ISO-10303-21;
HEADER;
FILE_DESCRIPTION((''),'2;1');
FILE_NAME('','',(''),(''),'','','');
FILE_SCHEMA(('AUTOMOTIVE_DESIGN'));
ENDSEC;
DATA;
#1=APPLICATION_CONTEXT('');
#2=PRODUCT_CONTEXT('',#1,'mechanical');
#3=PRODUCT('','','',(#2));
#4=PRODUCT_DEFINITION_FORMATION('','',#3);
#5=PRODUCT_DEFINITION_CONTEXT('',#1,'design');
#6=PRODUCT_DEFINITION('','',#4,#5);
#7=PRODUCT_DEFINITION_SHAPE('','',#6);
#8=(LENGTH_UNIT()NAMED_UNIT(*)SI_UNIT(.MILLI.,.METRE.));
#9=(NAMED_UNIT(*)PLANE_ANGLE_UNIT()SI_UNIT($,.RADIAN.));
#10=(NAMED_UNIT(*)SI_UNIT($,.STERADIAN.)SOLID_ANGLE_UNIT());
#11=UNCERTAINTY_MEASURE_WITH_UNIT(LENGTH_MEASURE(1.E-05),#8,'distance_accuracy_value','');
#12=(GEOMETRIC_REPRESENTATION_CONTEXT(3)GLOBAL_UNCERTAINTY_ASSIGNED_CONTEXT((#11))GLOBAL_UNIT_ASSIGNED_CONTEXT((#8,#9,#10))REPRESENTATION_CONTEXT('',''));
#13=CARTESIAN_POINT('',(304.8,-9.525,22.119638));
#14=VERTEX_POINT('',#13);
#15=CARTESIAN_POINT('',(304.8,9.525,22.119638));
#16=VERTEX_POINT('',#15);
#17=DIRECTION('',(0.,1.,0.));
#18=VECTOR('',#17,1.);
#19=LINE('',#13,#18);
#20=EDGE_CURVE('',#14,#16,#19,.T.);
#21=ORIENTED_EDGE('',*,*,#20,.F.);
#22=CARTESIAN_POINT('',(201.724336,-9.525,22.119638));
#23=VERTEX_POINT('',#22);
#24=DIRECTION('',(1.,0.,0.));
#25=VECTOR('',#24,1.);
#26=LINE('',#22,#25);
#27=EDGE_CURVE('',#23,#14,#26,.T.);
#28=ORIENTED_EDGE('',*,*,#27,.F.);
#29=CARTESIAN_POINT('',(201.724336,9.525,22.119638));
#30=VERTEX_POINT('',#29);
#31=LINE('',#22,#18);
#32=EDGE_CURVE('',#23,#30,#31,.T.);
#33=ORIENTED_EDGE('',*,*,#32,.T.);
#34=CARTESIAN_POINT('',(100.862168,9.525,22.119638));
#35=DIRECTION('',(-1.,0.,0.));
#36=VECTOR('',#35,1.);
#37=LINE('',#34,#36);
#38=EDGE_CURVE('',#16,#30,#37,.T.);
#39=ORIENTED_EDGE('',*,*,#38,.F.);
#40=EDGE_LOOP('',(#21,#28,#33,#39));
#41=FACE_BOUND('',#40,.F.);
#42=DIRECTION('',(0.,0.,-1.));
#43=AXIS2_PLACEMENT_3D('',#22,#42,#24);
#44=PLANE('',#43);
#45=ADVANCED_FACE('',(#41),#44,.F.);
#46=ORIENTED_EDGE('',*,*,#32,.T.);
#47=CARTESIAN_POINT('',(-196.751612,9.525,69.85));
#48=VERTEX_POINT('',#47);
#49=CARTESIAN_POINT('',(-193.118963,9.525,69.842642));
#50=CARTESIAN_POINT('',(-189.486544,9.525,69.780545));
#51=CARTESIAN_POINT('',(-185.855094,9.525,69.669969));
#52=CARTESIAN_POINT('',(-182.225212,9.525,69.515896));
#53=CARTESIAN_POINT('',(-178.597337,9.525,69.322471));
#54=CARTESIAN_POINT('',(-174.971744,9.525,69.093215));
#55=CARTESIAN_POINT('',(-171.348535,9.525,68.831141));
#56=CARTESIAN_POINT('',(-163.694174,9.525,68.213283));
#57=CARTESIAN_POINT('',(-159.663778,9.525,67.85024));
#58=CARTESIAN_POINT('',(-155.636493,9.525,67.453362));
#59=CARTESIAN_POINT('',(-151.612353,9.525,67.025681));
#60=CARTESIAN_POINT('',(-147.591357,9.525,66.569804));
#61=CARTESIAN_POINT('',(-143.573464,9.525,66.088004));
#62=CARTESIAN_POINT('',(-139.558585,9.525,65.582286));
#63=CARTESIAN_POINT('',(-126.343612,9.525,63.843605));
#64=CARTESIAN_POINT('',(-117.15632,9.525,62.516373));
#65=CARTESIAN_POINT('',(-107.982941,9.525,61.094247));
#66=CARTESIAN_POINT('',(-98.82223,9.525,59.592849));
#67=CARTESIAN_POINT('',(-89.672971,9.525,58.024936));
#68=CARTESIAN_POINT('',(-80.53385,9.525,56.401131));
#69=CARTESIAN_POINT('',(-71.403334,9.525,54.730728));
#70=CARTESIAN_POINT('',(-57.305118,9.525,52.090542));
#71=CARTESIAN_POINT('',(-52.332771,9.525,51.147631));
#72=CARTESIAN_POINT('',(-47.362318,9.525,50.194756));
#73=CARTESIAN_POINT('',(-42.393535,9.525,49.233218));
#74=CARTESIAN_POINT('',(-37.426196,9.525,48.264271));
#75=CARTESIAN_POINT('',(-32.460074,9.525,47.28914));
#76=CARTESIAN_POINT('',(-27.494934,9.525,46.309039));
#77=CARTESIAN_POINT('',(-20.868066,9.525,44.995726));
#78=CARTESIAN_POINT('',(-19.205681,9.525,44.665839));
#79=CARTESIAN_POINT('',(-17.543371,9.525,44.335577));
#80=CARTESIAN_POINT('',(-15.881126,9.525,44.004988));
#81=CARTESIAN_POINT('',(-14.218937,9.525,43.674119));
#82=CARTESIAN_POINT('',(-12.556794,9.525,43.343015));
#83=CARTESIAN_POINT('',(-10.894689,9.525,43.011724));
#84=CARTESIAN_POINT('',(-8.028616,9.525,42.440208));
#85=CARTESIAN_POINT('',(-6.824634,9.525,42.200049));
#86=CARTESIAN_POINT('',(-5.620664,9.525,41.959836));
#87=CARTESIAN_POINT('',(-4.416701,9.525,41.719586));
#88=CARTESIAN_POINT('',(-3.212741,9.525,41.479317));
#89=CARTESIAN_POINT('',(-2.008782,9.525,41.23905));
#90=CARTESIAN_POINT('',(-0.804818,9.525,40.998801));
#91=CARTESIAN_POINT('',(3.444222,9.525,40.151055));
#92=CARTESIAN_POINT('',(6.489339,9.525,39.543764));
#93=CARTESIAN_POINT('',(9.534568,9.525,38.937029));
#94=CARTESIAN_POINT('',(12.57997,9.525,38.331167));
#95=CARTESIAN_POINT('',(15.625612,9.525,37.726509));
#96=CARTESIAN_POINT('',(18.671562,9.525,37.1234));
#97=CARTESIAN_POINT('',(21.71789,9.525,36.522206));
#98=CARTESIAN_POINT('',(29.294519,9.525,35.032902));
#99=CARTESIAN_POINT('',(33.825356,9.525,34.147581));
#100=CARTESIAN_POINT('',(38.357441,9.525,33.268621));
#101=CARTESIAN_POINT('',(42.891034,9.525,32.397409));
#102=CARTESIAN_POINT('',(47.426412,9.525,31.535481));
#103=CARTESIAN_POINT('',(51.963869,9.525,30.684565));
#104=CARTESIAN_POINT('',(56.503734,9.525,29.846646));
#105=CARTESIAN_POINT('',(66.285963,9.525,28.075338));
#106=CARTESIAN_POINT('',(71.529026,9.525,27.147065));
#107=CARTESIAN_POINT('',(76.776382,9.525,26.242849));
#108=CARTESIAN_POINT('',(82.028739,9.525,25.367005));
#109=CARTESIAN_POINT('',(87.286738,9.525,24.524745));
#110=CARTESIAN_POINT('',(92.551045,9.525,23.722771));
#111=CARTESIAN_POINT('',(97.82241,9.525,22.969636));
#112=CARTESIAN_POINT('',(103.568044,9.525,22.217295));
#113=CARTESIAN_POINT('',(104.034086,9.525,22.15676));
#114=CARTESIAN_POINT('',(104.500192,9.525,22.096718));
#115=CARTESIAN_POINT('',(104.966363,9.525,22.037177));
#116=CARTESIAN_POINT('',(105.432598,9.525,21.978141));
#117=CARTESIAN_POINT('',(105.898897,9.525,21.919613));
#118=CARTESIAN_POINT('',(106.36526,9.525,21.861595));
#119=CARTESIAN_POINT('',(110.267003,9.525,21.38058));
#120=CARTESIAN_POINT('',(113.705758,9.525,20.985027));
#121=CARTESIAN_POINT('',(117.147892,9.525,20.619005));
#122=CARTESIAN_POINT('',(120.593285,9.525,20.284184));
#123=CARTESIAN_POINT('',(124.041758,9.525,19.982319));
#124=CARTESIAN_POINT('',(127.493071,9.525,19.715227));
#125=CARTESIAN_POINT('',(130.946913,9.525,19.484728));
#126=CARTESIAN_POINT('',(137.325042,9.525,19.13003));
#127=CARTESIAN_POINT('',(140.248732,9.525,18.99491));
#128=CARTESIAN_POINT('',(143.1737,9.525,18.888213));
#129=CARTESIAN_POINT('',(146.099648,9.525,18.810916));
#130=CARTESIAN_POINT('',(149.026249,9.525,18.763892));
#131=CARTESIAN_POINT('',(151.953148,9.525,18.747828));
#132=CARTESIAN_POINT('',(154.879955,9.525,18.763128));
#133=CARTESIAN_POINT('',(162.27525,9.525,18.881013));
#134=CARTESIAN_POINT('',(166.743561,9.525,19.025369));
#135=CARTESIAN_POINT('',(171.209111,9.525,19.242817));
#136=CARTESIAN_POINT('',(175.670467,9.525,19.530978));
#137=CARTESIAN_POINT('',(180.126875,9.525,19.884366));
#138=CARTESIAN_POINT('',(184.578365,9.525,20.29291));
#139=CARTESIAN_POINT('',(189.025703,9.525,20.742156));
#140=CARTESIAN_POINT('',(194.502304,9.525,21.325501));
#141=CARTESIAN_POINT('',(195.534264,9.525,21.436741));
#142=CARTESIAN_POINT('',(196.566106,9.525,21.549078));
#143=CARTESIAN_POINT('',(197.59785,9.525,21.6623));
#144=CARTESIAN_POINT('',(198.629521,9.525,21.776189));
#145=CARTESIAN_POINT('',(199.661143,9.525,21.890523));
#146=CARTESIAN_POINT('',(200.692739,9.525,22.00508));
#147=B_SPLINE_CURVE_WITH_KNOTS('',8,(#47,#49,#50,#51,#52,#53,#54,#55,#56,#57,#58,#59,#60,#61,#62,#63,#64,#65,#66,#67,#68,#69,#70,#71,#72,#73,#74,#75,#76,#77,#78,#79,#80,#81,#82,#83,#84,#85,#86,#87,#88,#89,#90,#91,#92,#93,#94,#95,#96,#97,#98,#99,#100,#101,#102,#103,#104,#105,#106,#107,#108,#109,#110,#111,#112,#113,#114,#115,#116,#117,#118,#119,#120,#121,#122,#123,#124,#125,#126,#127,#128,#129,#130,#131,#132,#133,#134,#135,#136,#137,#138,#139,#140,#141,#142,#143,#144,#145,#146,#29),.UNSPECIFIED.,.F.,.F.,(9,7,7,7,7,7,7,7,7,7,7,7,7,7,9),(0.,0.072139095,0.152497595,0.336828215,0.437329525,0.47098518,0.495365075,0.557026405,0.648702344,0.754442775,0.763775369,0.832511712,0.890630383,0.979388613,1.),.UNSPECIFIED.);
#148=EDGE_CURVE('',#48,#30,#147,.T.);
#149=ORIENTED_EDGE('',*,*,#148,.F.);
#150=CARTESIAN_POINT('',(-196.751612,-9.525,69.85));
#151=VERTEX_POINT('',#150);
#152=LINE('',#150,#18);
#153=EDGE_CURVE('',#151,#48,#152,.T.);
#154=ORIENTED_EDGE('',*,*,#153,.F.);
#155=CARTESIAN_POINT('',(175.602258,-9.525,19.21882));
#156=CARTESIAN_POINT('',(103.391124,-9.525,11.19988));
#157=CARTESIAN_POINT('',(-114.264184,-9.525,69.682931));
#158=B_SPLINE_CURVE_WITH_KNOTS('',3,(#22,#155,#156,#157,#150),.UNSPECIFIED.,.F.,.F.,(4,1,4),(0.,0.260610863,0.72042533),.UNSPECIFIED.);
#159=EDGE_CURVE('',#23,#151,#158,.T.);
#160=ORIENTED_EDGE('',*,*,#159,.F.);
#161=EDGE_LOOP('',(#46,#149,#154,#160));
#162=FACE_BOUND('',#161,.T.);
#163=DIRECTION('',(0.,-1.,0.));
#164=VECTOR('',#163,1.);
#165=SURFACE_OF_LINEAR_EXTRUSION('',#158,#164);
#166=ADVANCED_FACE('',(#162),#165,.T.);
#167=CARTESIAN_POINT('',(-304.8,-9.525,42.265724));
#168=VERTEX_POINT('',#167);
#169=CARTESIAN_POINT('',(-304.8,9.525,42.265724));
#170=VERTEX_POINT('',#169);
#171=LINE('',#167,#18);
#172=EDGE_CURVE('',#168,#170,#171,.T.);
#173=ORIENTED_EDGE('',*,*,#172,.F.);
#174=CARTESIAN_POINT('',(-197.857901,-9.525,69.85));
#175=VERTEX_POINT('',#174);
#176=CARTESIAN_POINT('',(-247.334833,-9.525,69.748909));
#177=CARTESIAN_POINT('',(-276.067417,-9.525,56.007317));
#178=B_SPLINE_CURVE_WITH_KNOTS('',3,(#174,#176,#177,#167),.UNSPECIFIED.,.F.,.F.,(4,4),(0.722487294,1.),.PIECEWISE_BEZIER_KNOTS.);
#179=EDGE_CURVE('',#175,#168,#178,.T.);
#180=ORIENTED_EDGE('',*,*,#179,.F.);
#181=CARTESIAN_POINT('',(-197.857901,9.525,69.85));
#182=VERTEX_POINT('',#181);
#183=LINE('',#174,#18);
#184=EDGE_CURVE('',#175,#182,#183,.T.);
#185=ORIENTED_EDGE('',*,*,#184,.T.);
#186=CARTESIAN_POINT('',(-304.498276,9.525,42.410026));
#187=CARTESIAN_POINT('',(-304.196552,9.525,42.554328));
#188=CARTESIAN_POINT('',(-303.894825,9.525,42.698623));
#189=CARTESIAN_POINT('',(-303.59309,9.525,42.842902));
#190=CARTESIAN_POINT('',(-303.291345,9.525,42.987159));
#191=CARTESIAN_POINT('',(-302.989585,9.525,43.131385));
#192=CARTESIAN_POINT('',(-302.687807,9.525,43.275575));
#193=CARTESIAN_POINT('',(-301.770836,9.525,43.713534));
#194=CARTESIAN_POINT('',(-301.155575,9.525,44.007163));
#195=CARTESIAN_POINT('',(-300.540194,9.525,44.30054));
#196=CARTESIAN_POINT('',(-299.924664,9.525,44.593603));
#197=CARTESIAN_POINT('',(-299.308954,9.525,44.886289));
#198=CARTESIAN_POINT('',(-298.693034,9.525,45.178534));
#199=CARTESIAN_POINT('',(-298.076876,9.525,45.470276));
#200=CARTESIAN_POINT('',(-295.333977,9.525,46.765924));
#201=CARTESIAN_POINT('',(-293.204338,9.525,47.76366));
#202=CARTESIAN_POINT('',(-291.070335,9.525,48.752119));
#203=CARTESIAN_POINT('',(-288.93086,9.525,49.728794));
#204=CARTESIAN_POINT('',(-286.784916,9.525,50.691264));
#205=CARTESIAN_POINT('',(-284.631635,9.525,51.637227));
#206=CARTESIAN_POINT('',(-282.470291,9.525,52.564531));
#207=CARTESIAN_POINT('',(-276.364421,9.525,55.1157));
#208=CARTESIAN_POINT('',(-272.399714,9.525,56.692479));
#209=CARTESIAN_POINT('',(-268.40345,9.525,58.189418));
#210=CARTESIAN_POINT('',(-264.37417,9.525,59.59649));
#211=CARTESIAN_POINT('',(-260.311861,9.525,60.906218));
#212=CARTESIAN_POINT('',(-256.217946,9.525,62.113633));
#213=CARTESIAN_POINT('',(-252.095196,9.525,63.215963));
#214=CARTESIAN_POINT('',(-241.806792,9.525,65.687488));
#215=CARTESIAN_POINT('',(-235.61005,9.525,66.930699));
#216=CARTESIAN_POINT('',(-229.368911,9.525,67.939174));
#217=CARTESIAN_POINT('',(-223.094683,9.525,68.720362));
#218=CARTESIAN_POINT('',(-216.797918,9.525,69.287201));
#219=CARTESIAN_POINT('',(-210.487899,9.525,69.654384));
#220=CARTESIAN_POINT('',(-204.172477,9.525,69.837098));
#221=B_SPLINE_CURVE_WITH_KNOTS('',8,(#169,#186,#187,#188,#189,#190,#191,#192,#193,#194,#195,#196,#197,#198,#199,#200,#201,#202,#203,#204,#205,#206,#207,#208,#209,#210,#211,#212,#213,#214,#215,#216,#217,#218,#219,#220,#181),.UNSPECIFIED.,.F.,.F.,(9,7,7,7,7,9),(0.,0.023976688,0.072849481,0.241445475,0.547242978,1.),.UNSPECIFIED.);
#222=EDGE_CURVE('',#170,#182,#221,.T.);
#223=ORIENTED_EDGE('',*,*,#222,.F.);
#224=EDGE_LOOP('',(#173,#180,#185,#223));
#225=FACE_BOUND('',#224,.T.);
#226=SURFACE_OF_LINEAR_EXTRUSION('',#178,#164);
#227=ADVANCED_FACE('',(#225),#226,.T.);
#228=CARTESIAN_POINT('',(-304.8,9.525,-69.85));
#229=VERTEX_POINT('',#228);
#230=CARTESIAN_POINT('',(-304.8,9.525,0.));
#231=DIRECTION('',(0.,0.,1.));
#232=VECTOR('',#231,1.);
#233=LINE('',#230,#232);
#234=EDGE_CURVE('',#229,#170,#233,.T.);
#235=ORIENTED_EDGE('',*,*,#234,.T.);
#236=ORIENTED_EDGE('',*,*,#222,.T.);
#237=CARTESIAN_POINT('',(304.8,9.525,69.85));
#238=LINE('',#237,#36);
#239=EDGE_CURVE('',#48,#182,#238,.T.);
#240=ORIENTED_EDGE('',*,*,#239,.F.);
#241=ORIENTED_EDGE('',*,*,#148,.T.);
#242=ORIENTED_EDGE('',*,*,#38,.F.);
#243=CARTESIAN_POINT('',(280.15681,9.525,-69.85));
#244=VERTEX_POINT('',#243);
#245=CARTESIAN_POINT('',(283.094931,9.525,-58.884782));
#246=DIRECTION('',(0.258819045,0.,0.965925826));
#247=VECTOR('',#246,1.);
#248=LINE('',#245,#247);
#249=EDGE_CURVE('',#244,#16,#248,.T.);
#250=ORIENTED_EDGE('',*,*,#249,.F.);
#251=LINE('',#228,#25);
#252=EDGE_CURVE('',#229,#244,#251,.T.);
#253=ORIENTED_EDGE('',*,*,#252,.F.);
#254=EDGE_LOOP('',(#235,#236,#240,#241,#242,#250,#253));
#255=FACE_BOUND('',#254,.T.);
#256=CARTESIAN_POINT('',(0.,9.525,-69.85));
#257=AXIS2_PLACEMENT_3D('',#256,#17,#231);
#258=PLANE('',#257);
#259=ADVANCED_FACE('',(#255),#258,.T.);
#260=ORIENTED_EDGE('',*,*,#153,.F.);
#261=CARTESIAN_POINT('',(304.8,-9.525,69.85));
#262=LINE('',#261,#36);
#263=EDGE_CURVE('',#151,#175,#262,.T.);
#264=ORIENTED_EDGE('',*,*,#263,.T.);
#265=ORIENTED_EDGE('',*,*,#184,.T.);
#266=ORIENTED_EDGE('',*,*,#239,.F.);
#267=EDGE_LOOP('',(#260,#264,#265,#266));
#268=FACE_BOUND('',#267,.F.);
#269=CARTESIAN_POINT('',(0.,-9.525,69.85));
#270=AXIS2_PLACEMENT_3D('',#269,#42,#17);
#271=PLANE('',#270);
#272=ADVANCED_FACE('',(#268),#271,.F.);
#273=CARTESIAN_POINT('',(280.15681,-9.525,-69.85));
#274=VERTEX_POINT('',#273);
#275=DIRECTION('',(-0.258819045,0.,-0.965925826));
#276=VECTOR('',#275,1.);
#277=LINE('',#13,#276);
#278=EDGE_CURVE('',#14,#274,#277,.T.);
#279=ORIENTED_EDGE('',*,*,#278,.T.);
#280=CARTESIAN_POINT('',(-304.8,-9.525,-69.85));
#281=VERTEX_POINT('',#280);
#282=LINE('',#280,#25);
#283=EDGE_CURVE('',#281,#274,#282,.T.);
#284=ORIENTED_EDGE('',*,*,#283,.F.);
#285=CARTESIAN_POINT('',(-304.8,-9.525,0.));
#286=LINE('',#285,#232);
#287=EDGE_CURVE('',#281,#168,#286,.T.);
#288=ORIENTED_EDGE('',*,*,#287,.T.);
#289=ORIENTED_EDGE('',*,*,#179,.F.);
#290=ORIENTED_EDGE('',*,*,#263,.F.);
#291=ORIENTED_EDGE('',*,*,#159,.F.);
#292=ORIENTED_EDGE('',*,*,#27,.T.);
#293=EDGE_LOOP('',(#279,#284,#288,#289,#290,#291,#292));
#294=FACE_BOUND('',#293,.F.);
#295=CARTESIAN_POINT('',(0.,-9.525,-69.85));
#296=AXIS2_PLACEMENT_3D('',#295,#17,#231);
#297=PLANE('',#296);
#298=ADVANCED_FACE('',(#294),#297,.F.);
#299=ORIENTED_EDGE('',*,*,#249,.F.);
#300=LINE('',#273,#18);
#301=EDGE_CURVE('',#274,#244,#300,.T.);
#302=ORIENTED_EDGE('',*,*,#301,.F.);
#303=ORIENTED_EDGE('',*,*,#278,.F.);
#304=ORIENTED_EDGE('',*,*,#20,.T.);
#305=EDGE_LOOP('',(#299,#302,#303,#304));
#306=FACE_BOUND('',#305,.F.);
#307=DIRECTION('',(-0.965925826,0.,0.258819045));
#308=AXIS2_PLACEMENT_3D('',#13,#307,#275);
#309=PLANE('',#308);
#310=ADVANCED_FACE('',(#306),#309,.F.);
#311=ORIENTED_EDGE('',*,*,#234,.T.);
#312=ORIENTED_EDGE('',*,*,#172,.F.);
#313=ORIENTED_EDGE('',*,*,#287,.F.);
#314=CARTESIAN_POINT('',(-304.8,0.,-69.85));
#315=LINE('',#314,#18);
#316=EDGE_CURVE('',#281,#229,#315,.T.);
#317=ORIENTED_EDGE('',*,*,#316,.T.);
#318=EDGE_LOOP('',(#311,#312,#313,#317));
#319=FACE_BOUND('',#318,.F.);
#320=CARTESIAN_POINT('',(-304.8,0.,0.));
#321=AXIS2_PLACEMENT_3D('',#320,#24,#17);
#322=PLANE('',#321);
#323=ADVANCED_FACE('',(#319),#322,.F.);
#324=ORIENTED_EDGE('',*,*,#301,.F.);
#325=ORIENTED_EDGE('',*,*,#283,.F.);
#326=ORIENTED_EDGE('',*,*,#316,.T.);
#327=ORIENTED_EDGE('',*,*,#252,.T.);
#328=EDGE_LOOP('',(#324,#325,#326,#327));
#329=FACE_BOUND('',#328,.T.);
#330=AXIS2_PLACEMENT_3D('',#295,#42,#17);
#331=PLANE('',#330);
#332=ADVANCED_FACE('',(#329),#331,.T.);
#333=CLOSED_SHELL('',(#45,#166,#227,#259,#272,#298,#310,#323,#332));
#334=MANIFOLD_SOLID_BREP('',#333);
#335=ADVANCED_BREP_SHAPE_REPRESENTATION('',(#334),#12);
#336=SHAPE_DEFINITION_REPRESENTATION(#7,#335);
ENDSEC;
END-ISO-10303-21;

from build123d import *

# Parameters (mm, degrees)
F0_W     = 19.05
F0_H     = 139.7
F1_DEPTH = 304.8
F3_DEPTH = 19.051


with BuildPart() as f1:
    # F0 (on Right) → F1 (new body, symmetric)
    with BuildSketch(Plane.YZ):
        Rectangle(F0_W, F0_H)
    extrude(amount=F1_DEPTH, both=True)

    # F2 (on face) → F3 (cut, through all)
    with BuildSketch(Plane.XZ.offset(9.525)):
        with BuildLine():
            add(Edge.make_bspline(
                [(-197.857901454, 69.85), (-247.3348332126, 69.7489088286), (-276.0674166063, 56.0073166097), (-304.8, 42.2657243907)],
                knots=[0.7224872938, 0.7224872938, 0.7224872938, 0.7224872938, 1, 1, 1, 1], degree=3))
            Line((-197.857901454, 69.85), (-304.8, 69.85))
            Line((-304.8, 69.85), (-304.8, 42.2657243907))
        make_face()
        with BuildLine():
            Line((201.7243355513, 22.1196375787), (304.8, 22.1196375787))
            Line((304.8, 22.1196375787), (304.8, 69.85))
            Line((304.8, 69.85), (-196.7516116679, 69.85))
            add(Edge.make_bspline(
                [(201.7243355513, 22.1196375787), (175.6022582866, 19.2188196577), (103.3911235568, 11.199880291), (-114.2641836893, 69.6829313826), (-196.7516116679, 69.85)],
                knots=[0, 0, 0, 0, 0.260610863, 0.7204253301, 0.7204253301, 0.7204253301, 0.7204253301], degree=3))
        make_face()
        Polygon((304.8, -69.85), (304.8, 22.1196375787), (280.1568098826, -69.85), align=None)
    extrude(amount=-F3_DEPTH, mode=Mode.SUBTRACT)


solid = f1.part
